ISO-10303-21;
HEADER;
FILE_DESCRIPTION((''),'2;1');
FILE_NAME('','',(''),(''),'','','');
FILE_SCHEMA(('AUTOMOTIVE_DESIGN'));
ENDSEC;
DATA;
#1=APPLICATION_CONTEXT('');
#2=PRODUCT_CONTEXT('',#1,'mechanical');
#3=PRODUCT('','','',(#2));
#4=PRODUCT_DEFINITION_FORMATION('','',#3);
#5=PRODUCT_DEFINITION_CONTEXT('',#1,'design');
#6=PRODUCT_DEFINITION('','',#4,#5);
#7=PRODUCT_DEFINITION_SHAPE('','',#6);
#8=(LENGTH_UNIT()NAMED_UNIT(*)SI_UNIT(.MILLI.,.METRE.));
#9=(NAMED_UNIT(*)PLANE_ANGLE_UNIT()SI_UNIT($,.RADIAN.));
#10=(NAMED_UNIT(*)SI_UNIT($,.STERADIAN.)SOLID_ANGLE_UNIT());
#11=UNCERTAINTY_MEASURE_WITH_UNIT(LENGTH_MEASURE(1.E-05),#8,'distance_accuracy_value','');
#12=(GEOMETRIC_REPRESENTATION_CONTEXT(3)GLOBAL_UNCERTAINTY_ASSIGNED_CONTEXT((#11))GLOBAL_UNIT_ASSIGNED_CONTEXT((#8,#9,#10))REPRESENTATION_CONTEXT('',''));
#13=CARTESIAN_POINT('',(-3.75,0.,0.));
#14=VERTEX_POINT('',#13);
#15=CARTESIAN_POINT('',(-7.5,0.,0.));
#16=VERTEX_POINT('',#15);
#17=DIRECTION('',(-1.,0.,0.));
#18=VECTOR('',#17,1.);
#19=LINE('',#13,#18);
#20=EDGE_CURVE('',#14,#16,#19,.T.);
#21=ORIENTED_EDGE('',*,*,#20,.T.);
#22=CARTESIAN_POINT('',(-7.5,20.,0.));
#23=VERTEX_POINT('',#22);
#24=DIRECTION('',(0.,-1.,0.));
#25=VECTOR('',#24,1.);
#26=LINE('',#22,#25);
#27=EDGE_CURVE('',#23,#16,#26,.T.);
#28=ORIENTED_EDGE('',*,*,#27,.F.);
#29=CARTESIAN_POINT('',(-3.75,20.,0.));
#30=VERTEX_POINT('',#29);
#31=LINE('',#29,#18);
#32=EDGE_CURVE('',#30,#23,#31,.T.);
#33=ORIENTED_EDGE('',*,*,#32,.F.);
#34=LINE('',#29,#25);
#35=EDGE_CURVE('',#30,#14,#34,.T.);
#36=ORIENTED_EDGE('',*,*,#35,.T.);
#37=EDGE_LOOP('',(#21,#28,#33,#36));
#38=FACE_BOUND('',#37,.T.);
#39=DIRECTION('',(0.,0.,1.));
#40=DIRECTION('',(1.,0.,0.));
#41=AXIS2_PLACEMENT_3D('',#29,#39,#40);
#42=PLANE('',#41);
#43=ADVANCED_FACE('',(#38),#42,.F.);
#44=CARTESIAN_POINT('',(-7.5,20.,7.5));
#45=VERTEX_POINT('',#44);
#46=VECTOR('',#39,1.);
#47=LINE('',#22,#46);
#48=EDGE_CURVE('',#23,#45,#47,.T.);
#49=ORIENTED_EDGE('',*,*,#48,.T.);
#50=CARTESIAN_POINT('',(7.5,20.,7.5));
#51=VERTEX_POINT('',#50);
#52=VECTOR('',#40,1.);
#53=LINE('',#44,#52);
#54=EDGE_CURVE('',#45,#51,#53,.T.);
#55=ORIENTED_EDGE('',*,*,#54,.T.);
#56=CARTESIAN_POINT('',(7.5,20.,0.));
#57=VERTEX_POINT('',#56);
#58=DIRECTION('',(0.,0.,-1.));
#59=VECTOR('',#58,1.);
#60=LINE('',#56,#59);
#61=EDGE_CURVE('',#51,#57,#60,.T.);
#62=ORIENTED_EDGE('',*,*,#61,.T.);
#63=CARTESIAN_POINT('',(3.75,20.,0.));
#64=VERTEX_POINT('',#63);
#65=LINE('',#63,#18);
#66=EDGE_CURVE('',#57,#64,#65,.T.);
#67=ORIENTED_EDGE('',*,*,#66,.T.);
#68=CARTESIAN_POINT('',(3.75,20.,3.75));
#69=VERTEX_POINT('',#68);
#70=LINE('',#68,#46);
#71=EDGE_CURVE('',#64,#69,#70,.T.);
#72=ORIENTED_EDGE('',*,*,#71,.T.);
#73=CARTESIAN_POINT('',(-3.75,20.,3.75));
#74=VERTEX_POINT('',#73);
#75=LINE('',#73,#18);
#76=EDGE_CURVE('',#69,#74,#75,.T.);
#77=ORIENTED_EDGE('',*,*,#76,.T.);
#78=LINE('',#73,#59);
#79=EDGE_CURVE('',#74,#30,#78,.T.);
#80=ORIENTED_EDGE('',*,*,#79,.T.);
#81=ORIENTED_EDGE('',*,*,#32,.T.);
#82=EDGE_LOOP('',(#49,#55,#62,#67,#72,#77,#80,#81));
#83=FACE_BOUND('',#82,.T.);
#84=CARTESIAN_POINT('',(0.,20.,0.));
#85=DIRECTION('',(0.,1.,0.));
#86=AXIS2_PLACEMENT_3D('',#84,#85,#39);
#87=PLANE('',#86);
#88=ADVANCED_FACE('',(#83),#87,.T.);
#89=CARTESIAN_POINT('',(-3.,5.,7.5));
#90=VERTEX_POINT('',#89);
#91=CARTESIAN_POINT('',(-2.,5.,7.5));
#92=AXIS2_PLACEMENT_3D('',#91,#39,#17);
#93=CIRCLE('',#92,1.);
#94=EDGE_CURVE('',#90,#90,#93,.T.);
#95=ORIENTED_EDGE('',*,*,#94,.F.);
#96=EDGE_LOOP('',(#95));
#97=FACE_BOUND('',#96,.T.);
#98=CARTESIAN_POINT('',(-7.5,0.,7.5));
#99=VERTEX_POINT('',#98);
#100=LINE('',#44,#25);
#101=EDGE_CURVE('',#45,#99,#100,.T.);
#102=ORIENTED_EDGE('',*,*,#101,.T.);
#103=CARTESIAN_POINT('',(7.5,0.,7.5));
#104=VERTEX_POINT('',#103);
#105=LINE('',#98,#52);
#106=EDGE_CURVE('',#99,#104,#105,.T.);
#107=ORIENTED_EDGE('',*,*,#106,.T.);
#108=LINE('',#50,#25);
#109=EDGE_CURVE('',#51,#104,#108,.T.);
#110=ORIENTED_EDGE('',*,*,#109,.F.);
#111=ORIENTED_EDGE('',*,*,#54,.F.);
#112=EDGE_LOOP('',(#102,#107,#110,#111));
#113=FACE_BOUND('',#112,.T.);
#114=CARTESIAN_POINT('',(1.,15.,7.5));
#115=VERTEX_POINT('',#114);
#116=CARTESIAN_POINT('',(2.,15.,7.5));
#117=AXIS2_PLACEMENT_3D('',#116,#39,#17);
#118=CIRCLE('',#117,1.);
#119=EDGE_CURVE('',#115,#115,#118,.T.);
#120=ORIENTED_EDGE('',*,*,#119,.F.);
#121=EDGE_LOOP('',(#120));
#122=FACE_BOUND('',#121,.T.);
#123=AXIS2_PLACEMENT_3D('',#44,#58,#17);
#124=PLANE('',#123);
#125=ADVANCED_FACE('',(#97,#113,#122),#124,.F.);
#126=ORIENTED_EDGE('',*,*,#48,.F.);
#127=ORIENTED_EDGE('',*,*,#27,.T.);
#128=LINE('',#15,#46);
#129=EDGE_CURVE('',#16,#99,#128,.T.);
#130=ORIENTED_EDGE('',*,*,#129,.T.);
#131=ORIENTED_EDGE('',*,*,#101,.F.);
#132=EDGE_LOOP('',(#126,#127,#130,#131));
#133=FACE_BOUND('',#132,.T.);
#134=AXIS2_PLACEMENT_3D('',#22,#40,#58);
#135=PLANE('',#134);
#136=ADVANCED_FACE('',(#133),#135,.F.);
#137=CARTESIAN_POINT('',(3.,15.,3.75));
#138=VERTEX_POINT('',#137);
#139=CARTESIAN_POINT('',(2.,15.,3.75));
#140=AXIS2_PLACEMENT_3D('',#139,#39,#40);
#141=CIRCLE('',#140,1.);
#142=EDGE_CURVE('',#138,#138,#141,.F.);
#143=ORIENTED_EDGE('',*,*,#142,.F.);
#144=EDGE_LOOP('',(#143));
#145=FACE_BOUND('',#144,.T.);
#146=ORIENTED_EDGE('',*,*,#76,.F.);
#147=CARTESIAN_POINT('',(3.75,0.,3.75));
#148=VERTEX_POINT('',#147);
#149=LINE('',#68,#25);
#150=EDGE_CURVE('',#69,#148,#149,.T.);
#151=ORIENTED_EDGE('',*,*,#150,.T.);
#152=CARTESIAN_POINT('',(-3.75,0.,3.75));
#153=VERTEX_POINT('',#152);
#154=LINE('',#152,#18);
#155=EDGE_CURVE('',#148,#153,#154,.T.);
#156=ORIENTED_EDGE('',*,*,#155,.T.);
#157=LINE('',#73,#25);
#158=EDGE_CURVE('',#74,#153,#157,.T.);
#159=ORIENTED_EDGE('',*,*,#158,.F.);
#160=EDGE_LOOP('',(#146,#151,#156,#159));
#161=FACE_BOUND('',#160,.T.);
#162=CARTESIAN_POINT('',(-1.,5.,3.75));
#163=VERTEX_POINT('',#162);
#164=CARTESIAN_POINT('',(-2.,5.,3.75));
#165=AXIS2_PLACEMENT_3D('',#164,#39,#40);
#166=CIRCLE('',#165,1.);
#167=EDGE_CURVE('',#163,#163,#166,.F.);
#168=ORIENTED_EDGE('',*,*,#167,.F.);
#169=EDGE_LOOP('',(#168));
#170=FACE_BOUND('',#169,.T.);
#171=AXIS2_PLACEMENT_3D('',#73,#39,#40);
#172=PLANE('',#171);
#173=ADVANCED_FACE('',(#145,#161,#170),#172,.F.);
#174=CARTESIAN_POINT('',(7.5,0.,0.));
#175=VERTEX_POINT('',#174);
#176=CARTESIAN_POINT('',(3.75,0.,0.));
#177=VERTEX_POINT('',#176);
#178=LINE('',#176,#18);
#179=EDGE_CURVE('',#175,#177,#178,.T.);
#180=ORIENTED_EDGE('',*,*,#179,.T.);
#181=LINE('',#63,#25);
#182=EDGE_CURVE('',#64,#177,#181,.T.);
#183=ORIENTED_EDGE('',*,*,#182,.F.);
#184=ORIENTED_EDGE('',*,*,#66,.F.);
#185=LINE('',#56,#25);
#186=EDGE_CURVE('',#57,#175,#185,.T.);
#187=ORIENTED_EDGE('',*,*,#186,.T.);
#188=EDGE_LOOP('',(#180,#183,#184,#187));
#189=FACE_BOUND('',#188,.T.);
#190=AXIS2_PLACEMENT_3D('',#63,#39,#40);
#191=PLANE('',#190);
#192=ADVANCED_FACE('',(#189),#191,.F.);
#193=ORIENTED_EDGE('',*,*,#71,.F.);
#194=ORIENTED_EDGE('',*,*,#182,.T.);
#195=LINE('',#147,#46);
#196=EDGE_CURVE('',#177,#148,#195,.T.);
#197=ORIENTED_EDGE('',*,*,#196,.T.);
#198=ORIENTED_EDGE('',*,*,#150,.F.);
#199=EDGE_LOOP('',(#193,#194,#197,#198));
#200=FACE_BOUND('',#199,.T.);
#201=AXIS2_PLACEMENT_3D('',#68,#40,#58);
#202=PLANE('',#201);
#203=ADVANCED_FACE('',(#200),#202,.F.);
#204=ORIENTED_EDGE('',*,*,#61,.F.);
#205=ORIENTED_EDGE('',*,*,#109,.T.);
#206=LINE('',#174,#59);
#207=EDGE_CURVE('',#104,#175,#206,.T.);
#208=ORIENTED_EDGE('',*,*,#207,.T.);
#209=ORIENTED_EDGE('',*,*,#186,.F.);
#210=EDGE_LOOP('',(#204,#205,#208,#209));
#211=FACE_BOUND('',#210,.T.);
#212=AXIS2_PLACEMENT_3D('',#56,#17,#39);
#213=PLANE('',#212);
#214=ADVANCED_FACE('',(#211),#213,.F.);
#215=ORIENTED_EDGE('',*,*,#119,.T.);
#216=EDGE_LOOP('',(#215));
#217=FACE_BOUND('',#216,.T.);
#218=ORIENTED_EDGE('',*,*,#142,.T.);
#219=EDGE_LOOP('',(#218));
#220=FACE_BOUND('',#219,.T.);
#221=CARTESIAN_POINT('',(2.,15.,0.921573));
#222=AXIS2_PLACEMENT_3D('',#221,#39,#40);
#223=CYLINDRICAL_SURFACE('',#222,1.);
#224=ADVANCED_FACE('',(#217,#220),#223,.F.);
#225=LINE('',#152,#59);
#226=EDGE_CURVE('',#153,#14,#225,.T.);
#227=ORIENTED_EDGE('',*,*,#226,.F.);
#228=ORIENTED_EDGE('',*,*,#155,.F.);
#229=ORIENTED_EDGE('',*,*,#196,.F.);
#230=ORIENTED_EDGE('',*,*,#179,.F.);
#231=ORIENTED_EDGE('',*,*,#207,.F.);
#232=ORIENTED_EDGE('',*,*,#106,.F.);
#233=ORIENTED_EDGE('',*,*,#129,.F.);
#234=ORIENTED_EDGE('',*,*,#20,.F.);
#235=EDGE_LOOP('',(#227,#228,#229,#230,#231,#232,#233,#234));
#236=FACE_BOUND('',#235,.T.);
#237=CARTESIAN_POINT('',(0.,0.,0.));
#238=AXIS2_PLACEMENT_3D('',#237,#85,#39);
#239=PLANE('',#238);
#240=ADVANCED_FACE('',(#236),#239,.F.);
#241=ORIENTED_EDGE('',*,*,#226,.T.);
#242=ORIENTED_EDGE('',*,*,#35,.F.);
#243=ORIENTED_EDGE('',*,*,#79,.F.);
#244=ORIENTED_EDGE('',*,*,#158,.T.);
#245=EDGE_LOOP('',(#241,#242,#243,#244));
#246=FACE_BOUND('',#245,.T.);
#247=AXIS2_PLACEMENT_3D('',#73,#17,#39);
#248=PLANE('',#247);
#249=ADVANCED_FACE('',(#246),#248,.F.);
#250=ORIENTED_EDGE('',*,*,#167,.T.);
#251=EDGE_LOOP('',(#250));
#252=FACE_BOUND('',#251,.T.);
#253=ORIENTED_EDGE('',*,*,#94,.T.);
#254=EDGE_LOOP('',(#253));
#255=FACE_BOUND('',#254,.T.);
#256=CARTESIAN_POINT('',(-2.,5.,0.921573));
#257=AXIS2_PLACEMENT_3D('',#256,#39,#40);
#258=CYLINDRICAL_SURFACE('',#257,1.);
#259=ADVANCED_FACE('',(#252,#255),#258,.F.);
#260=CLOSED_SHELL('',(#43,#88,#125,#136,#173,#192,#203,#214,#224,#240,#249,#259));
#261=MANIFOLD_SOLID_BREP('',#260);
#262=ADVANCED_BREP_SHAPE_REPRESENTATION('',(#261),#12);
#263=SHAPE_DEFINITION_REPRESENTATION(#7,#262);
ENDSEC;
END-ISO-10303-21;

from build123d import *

# Parameters (mm, degrees)
BOSS_EXTRU_2_DEPTH      = 20
ESQUISSE3_R             = 1
ENL_V_MAT_EXTRU_2_DEPTH = 3.75


with BuildPart() as part:
    # Esquisse1 → Boss.-Extru.2 (new body)
    with BuildSketch(Plane(origin=(0, 0, 0), x_dir=(1, 0, 0), z_dir=(0, 1, 0))):
        Polygon((-3.75, 0), (-7.5, 0), (-7.5, -7.5), (7.5, -7.5), (7.5, 0), (3.75, 0), (3.75, -3.75), (-3.75, -3.75), align=None)
    extrude(amount=BOSS_EXTRU_2_DEPTH)

    # Esquisse3 → Enlèv. mat.-Extru.2 (cut)
    with BuildSketch(Plane.XY.offset(7.5)):
        with Locations((2, 15)):
            Circle(ESQUISSE3_R)
        with Locations((-2, 5)):
            Circle(ESQUISSE3_R)
    extrude(amount=-ENL_V_MAT_EXTRU_2_DEPTH, mode=Mode.SUBTRACT)


solid = part.part
